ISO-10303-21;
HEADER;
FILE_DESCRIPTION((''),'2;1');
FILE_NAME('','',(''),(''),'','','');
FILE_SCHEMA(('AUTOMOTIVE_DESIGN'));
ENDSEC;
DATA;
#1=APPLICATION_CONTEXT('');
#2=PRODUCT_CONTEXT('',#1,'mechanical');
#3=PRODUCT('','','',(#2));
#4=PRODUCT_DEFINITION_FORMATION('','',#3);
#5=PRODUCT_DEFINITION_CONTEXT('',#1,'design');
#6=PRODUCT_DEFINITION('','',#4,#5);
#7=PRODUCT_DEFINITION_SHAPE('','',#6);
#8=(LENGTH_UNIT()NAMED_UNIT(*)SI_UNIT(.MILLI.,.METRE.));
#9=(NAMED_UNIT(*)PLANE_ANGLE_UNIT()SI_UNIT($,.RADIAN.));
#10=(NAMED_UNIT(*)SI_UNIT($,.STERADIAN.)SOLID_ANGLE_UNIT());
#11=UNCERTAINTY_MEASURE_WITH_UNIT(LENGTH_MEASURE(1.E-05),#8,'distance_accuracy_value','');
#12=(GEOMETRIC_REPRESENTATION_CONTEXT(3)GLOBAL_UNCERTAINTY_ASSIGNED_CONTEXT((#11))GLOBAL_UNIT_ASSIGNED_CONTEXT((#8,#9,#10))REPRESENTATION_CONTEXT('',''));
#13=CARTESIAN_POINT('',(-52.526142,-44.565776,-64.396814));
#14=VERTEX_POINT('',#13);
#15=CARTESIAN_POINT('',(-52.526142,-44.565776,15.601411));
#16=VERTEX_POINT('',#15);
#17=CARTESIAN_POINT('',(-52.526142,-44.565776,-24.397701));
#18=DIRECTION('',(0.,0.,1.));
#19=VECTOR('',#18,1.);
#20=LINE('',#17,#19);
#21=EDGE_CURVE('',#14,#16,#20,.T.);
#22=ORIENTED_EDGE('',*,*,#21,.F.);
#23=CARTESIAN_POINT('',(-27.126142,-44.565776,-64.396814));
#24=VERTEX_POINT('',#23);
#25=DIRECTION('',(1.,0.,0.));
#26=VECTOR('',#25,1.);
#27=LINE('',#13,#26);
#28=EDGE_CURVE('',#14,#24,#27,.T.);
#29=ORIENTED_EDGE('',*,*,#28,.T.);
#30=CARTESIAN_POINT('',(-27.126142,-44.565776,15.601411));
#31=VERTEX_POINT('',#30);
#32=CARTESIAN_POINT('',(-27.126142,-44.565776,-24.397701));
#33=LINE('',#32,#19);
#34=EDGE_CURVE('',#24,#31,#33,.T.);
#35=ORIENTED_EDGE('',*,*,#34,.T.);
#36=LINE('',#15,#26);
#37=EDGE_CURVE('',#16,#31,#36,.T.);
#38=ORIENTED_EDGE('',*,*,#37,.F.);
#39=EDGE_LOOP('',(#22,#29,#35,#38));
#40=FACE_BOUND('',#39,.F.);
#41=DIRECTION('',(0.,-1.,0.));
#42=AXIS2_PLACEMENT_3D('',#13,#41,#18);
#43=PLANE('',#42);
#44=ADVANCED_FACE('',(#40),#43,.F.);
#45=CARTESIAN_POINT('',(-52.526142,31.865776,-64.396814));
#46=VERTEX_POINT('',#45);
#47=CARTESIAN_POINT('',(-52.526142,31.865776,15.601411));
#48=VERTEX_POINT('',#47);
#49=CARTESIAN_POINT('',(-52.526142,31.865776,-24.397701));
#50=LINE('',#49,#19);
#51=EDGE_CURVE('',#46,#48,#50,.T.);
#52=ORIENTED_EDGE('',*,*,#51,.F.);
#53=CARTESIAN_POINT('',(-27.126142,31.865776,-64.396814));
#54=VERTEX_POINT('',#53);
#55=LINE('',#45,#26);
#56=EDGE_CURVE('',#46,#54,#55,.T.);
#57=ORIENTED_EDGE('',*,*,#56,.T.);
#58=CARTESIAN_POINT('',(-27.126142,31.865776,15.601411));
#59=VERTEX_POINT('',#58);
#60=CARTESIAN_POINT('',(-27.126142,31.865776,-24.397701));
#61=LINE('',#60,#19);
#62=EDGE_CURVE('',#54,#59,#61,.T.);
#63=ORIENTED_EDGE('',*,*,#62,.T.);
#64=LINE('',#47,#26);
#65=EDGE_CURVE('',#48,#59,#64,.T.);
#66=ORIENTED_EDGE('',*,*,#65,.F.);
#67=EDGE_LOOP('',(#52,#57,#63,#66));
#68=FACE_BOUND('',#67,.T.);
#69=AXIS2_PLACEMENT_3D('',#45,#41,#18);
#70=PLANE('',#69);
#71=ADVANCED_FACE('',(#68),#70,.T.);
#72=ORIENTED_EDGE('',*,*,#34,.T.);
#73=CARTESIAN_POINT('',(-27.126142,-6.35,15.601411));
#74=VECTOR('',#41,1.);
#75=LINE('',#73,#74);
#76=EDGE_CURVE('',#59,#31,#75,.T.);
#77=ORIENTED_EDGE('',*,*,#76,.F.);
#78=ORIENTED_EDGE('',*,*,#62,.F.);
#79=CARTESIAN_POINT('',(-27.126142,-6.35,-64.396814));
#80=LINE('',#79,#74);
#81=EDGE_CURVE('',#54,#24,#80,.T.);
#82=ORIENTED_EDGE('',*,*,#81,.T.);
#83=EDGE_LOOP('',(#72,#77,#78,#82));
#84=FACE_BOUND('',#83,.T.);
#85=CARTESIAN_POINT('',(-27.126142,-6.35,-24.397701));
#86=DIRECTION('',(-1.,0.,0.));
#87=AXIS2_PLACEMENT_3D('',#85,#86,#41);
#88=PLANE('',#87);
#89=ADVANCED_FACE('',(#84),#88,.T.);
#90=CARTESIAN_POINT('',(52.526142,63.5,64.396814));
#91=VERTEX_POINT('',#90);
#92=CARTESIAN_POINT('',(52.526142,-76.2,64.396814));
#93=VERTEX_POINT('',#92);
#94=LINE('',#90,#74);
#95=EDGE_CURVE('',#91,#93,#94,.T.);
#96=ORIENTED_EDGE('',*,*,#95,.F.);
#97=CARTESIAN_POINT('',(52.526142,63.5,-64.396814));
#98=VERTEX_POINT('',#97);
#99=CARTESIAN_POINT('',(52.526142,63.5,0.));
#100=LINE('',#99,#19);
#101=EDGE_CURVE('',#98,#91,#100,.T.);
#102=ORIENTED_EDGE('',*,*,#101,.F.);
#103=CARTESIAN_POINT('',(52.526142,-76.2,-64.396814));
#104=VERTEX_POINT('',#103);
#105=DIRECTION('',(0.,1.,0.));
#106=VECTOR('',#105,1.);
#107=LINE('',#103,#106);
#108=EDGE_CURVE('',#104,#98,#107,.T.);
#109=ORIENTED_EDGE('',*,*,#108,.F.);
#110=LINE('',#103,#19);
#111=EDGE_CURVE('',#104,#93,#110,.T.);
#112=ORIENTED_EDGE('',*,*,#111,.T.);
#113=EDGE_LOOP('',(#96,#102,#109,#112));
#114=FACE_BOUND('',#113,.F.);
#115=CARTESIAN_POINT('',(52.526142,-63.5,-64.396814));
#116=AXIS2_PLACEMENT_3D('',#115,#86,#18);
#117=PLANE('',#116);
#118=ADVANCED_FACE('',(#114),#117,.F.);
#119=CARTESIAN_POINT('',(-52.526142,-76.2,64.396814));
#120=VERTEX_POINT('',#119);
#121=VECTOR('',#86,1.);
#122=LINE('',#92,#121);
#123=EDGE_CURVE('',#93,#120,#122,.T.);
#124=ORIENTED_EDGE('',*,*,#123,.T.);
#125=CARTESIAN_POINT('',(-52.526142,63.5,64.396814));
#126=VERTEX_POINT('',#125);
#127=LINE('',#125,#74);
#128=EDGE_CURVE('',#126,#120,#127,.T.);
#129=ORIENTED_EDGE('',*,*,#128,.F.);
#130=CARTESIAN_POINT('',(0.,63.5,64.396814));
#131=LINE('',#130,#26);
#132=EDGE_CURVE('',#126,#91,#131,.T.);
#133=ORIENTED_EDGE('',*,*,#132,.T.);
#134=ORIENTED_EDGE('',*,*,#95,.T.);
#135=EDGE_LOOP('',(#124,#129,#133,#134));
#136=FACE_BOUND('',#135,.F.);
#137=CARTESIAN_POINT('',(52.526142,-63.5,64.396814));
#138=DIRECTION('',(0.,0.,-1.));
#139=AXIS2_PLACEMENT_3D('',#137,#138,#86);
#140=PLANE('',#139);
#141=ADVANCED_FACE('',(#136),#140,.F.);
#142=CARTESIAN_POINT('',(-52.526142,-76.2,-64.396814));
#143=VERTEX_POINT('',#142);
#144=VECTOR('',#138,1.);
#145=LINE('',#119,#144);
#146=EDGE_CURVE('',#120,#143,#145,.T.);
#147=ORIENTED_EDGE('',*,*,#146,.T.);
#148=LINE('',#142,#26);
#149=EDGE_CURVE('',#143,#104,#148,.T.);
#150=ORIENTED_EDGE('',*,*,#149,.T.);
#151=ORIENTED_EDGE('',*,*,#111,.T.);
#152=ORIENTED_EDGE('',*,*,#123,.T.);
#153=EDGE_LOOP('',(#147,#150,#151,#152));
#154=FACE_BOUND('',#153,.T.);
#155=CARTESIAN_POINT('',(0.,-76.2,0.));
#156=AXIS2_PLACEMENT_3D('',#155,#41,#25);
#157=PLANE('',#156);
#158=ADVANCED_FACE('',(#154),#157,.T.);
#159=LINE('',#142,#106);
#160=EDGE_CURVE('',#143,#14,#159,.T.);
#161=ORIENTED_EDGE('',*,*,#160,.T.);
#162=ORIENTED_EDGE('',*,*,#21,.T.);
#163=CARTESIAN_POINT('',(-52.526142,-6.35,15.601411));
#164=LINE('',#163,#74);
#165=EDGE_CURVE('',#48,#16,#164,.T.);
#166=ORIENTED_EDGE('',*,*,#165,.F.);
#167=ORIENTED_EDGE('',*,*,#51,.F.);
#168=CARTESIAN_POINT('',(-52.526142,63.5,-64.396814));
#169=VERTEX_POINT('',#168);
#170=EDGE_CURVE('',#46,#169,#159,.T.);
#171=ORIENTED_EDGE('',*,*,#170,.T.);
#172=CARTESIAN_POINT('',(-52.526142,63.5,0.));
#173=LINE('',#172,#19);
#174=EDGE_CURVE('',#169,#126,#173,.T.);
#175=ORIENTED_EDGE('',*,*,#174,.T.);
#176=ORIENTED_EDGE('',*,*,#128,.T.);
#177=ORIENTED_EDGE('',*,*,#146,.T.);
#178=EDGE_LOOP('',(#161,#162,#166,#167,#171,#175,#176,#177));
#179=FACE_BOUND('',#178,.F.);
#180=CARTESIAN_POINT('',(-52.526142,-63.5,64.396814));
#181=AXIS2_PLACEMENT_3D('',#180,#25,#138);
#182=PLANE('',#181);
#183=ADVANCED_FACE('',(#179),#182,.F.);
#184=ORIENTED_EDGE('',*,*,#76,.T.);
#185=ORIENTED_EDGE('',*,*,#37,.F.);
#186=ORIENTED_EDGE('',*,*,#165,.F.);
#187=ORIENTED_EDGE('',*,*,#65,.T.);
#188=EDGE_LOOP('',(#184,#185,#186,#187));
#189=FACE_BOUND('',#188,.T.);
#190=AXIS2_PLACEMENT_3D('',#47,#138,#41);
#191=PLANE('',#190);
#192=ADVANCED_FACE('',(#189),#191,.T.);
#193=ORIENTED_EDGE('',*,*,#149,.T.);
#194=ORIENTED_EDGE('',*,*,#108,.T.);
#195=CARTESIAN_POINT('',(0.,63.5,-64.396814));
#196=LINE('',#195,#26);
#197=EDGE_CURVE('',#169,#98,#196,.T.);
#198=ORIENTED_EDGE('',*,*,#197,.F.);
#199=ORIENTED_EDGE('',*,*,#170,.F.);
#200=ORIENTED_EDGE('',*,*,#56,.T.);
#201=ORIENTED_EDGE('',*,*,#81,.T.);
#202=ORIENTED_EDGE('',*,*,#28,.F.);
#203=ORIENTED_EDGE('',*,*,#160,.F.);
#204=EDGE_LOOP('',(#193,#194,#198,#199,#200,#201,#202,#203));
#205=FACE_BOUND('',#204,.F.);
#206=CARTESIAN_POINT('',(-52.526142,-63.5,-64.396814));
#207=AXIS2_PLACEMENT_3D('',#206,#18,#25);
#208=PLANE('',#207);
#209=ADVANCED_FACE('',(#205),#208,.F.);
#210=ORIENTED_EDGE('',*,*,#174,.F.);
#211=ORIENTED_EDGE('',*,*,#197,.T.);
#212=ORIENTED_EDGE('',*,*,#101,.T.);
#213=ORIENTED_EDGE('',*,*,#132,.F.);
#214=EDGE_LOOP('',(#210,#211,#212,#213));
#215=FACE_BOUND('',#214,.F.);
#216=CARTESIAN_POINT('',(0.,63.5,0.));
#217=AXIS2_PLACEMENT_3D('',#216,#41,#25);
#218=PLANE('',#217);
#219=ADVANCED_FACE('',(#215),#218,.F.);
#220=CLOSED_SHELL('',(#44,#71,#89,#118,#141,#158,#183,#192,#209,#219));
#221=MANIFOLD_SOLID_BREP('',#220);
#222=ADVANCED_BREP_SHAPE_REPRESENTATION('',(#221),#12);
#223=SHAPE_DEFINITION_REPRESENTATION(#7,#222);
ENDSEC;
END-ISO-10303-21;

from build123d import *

# Parameters (mm, degrees)
F0_W     = 105.0522848964
F0_H     = 128.7936270237
F2_DEPTH = 63.5
F4_DEPTH = 12.7
F5_W     = 76.4315511703
F5_H     = 79.9982249737
F6_DEPTH = 25.4


with BuildPart() as f2:
    # F0 (on Front) → F2 (new body, symmetric)
    with BuildSketch(Plane.XZ):
        Rectangle(F0_W, F0_H)
    extrude(amount=F2_DEPTH, both=True)

    # F3 (on face) → F4 (join)
    with BuildSketch(Plane.XZ.offset(63.5)):
        Polygon((-23.9054914564, -64.3968135118), (0, -64.3968135118), (52.5261424482, -64.3968135118), (52.5261424482, 64.3968135118), (-52.5261424482, 64.3968135118), (-52.5261424482, -64.3968135118), align=None)
    extrude(amount=F4_DEPTH)

    # F5 (on face) → F6 (cut)
    with BuildSketch(Plane(origin=(-52.5261424482, 0, 0), x_dir=(0, -1, 0), z_dir=(-1, 0, 0))):
        with Locations((6.35, -24.397701025)):
            Rectangle(F5_W, F5_H)
    extrude(amount=-F6_DEPTH, mode=Mode.SUBTRACT)


solid = f2.part
